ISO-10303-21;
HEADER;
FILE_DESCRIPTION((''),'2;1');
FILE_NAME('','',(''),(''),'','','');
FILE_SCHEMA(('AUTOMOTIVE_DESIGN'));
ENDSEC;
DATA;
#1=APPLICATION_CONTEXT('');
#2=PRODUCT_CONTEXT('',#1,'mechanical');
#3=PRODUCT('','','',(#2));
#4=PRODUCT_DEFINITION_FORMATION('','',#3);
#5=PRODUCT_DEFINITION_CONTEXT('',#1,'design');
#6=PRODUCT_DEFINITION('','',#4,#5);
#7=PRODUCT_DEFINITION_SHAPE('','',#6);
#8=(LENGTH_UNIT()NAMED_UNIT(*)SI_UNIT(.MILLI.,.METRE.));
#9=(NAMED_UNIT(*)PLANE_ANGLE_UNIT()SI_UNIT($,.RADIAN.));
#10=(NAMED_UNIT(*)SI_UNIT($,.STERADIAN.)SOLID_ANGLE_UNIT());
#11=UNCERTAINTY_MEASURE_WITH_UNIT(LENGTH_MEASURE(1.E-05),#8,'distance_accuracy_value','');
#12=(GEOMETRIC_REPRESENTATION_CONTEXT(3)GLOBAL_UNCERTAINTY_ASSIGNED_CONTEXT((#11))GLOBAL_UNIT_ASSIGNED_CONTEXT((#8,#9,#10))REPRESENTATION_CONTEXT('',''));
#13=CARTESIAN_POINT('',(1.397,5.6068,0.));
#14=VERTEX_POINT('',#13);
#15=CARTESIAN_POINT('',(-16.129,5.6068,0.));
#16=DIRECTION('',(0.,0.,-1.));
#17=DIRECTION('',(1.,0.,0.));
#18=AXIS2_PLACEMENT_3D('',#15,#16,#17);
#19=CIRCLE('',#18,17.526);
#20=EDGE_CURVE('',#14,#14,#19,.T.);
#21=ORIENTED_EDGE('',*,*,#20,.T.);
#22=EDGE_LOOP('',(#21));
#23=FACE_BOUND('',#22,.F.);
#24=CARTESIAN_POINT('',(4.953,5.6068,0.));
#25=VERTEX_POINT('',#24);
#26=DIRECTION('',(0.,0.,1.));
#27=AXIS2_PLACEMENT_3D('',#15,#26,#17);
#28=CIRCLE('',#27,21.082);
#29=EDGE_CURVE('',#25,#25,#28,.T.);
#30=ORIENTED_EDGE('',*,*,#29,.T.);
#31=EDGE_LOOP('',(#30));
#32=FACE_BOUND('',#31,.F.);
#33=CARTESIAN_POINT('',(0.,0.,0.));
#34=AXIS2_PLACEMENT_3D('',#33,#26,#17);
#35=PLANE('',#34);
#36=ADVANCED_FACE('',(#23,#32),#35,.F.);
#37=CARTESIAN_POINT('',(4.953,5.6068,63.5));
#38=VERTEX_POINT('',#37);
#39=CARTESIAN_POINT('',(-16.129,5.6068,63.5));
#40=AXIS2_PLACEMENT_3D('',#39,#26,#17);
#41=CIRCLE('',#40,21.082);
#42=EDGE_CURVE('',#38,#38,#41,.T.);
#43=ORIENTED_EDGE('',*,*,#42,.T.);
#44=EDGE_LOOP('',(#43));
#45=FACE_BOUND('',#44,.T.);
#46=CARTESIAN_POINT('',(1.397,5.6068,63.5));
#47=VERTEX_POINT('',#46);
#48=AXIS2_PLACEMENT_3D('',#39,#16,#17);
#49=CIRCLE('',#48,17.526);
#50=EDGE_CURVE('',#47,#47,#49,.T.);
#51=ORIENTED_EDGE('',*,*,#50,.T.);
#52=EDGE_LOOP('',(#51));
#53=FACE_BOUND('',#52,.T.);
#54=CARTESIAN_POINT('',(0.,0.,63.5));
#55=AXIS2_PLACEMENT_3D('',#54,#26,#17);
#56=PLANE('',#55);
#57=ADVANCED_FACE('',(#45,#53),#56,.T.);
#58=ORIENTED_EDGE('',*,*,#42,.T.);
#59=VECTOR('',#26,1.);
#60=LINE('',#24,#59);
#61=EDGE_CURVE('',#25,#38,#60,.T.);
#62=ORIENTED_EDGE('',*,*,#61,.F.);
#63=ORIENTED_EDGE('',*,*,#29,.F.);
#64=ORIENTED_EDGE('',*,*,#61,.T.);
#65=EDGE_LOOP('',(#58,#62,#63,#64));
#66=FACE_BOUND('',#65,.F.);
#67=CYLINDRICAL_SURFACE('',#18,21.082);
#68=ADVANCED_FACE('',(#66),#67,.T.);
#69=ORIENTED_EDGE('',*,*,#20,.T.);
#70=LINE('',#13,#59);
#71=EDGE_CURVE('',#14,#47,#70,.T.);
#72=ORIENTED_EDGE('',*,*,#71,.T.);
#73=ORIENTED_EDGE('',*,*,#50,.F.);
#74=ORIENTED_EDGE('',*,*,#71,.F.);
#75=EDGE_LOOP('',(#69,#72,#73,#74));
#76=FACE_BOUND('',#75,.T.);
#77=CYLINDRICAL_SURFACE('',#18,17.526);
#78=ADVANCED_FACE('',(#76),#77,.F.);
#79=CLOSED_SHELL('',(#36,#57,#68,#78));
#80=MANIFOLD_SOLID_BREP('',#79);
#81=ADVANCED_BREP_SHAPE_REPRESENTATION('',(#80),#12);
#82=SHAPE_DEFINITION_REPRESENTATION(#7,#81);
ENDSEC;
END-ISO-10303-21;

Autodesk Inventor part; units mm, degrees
ref_plane "YZ Plane" through (0, 0, 0) normal (1, 0, 0) x (0, 1, 0)
ref_plane "XZ Plane" through (0, 0, 0) normal (0, 1, 0) x (-1, 0, 0)
ref_plane "XY Plane" through (0, 0, 0) normal (0, 0, 1) x (1, 0, 0)
sketch "Sketch1" plane through (0, 0, 0) normal (0, 0, 1) x (1, 0, 0)
  circle A0 centre (-16.129, 5.6068) radius 21.082
  dimension "d0" = 42.164
extrude "Extrusion1" add sketch "Sketch1" along normal blind 63.5
shell "Shell1" thickness 3.556 removed faces 2 at (-10.2683, -0.6372, 0) at (-10.2683, -0.6372, 63.5)
properties part number "FE-00002-09"
